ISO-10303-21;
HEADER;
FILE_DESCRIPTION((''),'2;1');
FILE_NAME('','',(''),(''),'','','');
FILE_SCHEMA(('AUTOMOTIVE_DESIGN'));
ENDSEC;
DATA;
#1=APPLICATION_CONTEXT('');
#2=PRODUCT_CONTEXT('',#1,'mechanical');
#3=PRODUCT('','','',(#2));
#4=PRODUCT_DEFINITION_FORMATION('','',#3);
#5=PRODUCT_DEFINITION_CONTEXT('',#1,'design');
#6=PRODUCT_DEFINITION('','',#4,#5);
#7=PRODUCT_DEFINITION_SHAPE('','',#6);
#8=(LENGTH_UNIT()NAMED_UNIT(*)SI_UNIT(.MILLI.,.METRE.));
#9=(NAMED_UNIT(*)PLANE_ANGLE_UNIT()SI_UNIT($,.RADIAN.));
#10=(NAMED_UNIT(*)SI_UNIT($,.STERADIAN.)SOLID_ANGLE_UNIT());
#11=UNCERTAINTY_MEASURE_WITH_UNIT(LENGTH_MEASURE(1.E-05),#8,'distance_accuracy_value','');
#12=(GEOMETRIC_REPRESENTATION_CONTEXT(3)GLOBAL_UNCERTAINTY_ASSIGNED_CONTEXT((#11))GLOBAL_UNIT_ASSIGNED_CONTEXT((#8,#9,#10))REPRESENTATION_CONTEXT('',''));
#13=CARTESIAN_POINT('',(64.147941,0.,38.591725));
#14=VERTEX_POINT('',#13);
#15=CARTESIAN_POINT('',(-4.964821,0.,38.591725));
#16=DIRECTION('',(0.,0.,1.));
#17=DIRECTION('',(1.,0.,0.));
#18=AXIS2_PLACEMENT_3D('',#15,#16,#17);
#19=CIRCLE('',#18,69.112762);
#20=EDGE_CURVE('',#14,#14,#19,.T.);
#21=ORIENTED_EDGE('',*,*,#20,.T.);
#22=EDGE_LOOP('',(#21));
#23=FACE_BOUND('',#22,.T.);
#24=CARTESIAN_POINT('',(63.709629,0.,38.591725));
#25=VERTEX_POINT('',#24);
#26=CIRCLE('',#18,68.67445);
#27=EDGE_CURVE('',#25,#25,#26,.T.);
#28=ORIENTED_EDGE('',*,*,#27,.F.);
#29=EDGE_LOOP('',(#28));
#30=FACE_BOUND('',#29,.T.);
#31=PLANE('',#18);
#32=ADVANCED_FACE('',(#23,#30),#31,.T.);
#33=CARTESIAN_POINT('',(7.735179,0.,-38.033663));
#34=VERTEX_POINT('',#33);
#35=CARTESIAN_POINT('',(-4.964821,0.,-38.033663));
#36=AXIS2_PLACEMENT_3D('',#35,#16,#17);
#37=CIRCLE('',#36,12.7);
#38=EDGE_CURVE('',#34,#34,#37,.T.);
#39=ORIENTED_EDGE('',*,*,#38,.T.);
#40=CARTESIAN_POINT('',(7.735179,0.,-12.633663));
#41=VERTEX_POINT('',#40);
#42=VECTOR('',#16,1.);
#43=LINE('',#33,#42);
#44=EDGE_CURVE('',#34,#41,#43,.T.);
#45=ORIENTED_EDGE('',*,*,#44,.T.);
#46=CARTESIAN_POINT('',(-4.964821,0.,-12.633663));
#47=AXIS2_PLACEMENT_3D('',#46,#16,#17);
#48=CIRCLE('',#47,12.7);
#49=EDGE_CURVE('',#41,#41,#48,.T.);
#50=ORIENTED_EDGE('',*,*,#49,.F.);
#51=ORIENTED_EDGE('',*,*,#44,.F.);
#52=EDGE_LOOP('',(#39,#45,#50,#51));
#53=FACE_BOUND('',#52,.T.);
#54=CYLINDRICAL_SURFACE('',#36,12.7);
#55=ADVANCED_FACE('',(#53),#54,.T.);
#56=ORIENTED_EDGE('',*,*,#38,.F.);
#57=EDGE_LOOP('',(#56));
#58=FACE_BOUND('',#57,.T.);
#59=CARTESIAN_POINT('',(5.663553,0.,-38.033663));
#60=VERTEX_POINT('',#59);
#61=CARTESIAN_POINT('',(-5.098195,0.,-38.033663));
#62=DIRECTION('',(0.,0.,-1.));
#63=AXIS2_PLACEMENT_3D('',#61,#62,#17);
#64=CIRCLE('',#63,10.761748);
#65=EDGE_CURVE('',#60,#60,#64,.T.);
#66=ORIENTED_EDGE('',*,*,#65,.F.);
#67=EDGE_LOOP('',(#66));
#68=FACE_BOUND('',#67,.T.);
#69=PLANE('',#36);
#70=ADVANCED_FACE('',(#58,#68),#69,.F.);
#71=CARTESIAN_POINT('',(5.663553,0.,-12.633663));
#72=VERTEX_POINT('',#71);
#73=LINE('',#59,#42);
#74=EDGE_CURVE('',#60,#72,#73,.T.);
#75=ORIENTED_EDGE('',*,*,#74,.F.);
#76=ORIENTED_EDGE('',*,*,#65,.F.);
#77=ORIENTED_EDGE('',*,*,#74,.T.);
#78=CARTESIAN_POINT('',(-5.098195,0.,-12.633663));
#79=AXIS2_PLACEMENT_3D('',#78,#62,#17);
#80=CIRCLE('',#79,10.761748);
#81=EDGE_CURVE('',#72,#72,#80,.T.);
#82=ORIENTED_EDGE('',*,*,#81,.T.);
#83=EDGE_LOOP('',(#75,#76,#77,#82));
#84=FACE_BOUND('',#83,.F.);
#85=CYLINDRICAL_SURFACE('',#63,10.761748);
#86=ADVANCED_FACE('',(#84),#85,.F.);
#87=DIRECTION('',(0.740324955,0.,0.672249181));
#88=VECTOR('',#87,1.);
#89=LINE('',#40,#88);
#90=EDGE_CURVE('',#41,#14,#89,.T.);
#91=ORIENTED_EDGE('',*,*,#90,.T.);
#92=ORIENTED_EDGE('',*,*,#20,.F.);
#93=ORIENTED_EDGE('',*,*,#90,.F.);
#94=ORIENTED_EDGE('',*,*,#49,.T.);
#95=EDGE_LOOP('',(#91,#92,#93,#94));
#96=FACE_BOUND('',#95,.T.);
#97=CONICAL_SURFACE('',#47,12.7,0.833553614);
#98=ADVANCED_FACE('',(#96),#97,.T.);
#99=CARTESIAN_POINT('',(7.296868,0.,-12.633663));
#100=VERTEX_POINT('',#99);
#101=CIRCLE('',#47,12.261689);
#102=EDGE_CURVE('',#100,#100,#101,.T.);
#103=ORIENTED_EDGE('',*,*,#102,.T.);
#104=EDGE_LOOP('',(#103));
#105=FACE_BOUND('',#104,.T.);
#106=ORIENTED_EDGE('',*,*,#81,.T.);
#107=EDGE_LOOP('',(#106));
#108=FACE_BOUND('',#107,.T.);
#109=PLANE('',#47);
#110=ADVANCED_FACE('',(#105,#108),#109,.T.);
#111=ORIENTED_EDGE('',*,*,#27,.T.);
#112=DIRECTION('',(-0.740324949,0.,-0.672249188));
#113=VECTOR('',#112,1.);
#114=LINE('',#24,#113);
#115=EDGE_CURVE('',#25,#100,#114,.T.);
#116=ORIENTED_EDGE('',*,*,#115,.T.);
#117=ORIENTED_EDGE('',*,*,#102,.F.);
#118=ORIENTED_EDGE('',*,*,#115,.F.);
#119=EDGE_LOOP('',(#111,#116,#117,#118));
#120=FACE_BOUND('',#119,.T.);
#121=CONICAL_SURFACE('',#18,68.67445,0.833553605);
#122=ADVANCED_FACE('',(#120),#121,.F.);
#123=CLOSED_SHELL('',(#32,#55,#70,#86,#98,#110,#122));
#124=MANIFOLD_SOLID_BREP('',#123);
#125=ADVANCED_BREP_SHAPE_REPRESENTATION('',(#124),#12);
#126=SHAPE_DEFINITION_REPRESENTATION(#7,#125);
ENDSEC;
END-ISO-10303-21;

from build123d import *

# Parameters (mm, degrees)
F3_R     = 10.761748
F4_DEPTH = 25.4


with BuildPart() as f1:
    # F0 (on Front) → F1 (revolve)
    with BuildSketch(Plane.XZ):
        Polygon((7.735179, -12.633663), (64.147941, 38.591725), (63.709629, 38.591725), (7.296868, -12.633663), (-4.964821, -12.633663), (-4.964821, -38.033663), (7.735179, -38.033663), align=None)
    revolve(axis=Axis((-4.964821, 0, -25.333663), (0, 0, 1)))

    # F3 (on face) → F4 (cut)
    with BuildSketch(Plane(origin=(0, 0, -38.033663), x_dir=(1, 0, 0), z_dir=(0, 0, -1))):
        with Locations((-5.098195, 0)):
            Circle(F3_R)
    extrude(amount=-F4_DEPTH, mode=Mode.SUBTRACT)


solid = f1.part
